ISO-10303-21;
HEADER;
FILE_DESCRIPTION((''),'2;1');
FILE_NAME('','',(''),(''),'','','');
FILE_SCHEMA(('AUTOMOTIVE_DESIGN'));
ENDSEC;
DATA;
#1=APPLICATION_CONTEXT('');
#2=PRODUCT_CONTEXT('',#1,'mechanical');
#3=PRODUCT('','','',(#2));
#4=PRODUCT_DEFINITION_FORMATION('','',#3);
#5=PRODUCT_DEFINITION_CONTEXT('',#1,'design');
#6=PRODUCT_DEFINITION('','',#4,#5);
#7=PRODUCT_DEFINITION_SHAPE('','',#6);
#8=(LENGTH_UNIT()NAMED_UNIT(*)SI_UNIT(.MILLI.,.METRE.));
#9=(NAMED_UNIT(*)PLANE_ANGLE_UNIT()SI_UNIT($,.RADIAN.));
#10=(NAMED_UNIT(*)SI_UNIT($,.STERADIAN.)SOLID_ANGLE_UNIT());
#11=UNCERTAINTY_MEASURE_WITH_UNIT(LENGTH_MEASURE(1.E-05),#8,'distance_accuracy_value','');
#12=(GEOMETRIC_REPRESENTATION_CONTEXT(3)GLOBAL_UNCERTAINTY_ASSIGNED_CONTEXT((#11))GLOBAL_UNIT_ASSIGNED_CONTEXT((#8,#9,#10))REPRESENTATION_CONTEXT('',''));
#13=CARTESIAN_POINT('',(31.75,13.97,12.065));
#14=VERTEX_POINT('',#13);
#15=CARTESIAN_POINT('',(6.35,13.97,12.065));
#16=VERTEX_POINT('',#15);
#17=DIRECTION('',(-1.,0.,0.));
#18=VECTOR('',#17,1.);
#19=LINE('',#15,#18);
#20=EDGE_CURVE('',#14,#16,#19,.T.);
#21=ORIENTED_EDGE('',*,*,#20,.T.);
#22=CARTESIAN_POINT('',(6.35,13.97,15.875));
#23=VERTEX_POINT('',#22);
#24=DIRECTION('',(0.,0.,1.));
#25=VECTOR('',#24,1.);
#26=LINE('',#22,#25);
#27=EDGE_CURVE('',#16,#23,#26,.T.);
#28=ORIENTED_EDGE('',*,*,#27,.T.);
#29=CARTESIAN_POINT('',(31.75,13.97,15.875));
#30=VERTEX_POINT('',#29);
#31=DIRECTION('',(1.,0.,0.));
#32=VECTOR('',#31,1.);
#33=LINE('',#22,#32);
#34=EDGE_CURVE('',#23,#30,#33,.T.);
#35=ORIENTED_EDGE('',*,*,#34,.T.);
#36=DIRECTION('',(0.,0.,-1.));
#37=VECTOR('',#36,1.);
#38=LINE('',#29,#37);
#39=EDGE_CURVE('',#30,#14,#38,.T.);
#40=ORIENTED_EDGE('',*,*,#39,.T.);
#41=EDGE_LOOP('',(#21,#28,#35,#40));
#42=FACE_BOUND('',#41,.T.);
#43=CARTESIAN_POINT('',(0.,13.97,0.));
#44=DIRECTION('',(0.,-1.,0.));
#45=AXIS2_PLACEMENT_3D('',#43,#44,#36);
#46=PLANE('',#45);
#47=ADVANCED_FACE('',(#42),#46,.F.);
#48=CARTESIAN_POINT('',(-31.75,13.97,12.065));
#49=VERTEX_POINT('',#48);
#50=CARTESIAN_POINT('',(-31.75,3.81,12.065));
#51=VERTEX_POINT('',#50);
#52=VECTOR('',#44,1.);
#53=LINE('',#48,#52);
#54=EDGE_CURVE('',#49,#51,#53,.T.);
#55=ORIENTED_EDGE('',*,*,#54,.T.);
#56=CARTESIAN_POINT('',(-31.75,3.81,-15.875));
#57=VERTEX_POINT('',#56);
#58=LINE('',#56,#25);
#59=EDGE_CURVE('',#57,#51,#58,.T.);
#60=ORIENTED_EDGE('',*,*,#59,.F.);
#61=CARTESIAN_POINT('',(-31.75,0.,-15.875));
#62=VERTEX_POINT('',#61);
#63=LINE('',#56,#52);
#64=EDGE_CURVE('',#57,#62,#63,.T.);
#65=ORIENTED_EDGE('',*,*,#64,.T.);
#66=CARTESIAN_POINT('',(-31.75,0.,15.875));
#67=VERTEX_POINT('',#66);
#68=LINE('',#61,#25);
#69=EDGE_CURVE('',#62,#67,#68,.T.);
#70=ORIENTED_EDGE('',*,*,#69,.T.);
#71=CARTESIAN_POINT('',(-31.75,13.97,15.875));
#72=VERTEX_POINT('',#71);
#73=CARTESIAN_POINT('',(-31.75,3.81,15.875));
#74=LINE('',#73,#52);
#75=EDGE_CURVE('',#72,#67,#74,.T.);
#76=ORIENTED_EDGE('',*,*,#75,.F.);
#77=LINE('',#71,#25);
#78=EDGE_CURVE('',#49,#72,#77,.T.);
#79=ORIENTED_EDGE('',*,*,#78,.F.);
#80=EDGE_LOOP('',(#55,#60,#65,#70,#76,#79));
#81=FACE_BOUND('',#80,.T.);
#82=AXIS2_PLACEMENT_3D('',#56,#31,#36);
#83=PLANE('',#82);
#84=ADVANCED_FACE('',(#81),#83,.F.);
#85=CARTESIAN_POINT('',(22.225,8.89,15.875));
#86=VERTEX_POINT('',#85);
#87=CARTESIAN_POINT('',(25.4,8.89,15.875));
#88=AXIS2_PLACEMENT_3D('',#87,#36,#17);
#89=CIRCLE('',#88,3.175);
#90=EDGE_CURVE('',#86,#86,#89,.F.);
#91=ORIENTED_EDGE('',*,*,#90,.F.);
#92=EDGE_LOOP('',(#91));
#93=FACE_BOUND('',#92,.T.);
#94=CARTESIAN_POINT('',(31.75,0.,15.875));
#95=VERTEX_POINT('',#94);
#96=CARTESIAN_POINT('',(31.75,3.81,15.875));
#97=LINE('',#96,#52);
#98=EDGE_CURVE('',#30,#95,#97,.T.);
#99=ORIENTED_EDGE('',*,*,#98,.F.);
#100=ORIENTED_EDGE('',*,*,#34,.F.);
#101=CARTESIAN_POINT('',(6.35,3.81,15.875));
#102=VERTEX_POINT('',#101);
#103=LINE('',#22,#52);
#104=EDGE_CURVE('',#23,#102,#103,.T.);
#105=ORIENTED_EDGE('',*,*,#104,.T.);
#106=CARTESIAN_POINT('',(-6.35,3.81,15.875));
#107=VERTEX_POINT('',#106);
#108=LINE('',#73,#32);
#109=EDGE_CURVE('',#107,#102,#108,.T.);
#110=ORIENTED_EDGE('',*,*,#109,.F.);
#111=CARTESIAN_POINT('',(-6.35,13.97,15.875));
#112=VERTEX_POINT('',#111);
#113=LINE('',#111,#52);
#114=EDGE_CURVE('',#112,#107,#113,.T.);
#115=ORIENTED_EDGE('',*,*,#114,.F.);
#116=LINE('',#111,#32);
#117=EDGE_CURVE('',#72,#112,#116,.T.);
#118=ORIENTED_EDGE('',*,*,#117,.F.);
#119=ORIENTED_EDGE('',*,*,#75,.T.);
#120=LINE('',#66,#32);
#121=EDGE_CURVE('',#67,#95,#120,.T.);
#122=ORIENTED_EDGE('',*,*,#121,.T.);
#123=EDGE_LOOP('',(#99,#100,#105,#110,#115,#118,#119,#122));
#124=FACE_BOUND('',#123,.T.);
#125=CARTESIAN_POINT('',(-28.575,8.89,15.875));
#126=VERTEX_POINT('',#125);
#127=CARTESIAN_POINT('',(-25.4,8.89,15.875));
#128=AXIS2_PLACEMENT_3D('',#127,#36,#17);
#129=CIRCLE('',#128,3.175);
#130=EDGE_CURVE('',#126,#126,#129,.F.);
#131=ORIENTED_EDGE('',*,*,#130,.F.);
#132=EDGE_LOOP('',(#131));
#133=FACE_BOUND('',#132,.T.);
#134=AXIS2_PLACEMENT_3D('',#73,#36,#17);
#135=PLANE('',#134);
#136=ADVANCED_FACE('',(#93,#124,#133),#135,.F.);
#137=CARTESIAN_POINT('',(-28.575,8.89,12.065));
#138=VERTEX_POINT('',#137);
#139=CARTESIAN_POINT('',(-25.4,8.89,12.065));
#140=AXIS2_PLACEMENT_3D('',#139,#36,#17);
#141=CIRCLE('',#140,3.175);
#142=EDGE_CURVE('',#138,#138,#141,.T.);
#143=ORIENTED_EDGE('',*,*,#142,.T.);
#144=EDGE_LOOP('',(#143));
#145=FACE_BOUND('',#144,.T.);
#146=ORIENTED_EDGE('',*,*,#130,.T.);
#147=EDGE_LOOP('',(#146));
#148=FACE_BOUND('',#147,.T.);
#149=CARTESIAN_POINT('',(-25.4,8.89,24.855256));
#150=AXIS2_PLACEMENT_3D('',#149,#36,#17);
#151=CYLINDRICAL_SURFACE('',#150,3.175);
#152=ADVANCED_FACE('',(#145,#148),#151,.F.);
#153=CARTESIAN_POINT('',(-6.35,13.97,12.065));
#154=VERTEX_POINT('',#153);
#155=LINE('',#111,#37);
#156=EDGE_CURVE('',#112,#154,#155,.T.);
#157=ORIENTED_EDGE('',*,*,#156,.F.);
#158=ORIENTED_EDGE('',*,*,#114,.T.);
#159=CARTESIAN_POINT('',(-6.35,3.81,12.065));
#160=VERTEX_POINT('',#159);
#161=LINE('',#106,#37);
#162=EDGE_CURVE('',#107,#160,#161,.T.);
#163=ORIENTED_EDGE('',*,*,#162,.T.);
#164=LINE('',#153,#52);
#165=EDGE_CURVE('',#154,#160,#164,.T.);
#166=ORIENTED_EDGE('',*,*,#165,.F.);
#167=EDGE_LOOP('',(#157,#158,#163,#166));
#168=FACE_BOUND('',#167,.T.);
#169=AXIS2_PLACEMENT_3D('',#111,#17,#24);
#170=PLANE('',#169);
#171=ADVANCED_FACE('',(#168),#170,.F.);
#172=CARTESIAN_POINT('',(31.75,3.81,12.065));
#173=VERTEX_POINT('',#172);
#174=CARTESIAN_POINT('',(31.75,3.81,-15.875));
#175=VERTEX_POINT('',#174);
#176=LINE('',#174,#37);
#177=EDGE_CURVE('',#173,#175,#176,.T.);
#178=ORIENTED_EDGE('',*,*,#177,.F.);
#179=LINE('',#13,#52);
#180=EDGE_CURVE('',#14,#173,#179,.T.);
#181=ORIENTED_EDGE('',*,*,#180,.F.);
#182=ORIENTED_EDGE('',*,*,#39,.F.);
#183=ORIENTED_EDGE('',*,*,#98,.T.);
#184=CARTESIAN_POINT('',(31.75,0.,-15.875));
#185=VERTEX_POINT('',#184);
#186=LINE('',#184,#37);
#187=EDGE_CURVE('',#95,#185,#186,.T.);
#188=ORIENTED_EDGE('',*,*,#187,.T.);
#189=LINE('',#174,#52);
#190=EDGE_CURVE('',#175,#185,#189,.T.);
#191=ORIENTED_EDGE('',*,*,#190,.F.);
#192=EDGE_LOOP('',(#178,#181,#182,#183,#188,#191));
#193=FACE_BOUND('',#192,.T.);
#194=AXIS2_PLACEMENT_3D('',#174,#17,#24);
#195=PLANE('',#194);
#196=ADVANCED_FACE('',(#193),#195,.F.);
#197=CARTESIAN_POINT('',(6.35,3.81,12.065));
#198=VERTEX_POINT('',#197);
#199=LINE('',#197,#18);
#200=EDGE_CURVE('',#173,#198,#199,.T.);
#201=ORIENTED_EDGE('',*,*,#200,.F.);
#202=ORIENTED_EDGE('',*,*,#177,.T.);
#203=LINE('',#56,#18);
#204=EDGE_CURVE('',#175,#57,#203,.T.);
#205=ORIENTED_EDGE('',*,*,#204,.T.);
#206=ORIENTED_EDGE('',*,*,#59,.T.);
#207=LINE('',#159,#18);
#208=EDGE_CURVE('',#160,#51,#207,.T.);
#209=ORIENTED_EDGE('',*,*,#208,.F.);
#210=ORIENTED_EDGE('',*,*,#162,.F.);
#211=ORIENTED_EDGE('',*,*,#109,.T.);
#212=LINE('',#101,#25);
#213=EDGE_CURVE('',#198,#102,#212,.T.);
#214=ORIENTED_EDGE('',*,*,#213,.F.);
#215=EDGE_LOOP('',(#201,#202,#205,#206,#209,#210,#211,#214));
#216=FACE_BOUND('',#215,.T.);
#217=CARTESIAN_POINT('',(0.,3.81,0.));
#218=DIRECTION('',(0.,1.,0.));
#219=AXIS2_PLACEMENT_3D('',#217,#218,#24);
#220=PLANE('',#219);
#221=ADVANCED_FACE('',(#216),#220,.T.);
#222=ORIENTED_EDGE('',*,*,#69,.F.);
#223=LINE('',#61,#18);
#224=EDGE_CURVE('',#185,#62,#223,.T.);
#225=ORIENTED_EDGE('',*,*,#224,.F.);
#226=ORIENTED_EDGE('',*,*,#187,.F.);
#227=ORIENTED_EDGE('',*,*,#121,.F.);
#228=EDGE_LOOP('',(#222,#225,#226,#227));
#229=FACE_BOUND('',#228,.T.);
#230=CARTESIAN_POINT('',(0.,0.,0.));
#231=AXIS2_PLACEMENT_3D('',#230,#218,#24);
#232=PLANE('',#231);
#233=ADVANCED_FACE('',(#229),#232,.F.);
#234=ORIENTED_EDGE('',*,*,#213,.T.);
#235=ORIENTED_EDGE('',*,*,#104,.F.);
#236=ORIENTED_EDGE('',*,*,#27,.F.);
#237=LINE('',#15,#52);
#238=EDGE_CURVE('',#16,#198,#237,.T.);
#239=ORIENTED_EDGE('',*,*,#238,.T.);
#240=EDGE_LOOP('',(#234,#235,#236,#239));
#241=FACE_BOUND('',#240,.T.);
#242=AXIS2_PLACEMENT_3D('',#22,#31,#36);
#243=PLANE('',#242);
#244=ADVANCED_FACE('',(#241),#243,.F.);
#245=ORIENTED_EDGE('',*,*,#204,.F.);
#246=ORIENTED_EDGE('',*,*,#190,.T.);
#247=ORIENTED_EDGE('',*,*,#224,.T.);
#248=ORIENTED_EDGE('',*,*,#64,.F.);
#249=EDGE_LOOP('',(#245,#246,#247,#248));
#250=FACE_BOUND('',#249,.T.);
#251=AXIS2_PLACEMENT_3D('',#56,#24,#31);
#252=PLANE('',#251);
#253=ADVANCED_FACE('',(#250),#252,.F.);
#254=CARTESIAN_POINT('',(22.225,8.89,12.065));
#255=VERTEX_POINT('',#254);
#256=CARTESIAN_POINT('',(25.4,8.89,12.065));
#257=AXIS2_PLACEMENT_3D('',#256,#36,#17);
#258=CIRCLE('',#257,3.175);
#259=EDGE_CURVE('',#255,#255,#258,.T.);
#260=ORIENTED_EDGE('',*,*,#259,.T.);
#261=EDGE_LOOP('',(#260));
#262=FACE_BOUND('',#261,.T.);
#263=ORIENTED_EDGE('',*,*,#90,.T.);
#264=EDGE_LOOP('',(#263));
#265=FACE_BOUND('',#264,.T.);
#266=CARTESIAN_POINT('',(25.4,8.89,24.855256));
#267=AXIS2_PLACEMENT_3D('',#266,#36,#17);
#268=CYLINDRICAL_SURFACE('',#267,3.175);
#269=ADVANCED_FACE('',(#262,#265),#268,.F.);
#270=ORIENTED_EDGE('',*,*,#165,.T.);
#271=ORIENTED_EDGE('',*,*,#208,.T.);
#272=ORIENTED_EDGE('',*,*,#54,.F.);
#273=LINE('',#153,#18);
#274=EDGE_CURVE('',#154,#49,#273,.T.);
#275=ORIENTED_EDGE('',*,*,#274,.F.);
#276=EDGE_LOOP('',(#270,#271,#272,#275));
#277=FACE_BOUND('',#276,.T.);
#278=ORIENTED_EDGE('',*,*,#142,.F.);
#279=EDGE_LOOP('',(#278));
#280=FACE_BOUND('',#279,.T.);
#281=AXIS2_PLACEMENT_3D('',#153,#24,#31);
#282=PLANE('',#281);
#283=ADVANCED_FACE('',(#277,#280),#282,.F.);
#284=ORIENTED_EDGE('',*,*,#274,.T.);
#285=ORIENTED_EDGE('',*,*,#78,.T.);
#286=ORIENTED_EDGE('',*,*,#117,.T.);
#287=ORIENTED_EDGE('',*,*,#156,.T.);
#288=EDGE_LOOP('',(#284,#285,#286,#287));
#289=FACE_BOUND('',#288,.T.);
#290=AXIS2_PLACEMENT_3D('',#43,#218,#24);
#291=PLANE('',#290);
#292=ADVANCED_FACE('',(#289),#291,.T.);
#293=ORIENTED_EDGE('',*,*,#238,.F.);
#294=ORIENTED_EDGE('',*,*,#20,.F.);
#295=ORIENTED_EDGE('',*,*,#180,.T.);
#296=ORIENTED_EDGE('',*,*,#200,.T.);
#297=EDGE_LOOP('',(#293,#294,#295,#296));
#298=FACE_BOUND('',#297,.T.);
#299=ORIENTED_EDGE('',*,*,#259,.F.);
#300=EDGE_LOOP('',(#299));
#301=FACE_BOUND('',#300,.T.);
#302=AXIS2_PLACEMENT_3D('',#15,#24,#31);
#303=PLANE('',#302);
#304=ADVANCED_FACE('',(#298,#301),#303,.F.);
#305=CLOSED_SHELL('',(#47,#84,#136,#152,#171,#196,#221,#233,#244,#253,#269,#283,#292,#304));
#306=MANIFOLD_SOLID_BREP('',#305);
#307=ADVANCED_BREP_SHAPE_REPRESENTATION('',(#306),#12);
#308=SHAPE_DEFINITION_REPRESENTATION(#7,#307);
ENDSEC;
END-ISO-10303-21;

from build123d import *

# Parameters (mm, degrees)
SKETCH1_W           = 63.5
SKETCH1_H           = 31.75
BOSS_EXTRUDE1_DEPTH = 3.81
SKETCH2_W           = 25.4
SKETCH2_H           = 3.81
BOSS_EXTRUDE2_DEPTH = 10.16
SKETCH3_R           = 3.175
CUT_EXTRUDE1_DEPTH  = 3.81


with BuildPart() as part:
    # Sketch1 → Boss-Extrude1 (new body)
    with BuildSketch(Plane(origin=(0, 0, 0), x_dir=(1, 0, 0), z_dir=(0, 1, 0))):
        Rectangle(SKETCH1_W, SKETCH1_H)
    extrude(amount=BOSS_EXTRUDE1_DEPTH)

    # Sketch2 → Boss-Extrude2 (add)
    with BuildSketch(Plane(origin=(0, 3.81, 0), x_dir=(1, 0, 0), z_dir=(0, 1, 0))):
        with Locations((-19.05, -13.97)):
            Rectangle(SKETCH2_W, SKETCH2_H)
        with Locations((19.05, -13.97)):
            Rectangle(SKETCH2_W, SKETCH2_H)
    extrude(amount=BOSS_EXTRUDE2_DEPTH)

    # Sketch3 → Cut-Extrude1 (cut)
    with BuildSketch(Plane(origin=(0, 0, 12.065), x_dir=(-1, 0, 0), z_dir=(0, 0, -1))):
        with Locations((25.4, 8.89)):
            Circle(SKETCH3_R)
        with Locations((-25.4, 8.89)):
            Circle(SKETCH3_R)
    extrude(amount=-CUT_EXTRUDE1_DEPTH, mode=Mode.SUBTRACT)


solid = part.part
